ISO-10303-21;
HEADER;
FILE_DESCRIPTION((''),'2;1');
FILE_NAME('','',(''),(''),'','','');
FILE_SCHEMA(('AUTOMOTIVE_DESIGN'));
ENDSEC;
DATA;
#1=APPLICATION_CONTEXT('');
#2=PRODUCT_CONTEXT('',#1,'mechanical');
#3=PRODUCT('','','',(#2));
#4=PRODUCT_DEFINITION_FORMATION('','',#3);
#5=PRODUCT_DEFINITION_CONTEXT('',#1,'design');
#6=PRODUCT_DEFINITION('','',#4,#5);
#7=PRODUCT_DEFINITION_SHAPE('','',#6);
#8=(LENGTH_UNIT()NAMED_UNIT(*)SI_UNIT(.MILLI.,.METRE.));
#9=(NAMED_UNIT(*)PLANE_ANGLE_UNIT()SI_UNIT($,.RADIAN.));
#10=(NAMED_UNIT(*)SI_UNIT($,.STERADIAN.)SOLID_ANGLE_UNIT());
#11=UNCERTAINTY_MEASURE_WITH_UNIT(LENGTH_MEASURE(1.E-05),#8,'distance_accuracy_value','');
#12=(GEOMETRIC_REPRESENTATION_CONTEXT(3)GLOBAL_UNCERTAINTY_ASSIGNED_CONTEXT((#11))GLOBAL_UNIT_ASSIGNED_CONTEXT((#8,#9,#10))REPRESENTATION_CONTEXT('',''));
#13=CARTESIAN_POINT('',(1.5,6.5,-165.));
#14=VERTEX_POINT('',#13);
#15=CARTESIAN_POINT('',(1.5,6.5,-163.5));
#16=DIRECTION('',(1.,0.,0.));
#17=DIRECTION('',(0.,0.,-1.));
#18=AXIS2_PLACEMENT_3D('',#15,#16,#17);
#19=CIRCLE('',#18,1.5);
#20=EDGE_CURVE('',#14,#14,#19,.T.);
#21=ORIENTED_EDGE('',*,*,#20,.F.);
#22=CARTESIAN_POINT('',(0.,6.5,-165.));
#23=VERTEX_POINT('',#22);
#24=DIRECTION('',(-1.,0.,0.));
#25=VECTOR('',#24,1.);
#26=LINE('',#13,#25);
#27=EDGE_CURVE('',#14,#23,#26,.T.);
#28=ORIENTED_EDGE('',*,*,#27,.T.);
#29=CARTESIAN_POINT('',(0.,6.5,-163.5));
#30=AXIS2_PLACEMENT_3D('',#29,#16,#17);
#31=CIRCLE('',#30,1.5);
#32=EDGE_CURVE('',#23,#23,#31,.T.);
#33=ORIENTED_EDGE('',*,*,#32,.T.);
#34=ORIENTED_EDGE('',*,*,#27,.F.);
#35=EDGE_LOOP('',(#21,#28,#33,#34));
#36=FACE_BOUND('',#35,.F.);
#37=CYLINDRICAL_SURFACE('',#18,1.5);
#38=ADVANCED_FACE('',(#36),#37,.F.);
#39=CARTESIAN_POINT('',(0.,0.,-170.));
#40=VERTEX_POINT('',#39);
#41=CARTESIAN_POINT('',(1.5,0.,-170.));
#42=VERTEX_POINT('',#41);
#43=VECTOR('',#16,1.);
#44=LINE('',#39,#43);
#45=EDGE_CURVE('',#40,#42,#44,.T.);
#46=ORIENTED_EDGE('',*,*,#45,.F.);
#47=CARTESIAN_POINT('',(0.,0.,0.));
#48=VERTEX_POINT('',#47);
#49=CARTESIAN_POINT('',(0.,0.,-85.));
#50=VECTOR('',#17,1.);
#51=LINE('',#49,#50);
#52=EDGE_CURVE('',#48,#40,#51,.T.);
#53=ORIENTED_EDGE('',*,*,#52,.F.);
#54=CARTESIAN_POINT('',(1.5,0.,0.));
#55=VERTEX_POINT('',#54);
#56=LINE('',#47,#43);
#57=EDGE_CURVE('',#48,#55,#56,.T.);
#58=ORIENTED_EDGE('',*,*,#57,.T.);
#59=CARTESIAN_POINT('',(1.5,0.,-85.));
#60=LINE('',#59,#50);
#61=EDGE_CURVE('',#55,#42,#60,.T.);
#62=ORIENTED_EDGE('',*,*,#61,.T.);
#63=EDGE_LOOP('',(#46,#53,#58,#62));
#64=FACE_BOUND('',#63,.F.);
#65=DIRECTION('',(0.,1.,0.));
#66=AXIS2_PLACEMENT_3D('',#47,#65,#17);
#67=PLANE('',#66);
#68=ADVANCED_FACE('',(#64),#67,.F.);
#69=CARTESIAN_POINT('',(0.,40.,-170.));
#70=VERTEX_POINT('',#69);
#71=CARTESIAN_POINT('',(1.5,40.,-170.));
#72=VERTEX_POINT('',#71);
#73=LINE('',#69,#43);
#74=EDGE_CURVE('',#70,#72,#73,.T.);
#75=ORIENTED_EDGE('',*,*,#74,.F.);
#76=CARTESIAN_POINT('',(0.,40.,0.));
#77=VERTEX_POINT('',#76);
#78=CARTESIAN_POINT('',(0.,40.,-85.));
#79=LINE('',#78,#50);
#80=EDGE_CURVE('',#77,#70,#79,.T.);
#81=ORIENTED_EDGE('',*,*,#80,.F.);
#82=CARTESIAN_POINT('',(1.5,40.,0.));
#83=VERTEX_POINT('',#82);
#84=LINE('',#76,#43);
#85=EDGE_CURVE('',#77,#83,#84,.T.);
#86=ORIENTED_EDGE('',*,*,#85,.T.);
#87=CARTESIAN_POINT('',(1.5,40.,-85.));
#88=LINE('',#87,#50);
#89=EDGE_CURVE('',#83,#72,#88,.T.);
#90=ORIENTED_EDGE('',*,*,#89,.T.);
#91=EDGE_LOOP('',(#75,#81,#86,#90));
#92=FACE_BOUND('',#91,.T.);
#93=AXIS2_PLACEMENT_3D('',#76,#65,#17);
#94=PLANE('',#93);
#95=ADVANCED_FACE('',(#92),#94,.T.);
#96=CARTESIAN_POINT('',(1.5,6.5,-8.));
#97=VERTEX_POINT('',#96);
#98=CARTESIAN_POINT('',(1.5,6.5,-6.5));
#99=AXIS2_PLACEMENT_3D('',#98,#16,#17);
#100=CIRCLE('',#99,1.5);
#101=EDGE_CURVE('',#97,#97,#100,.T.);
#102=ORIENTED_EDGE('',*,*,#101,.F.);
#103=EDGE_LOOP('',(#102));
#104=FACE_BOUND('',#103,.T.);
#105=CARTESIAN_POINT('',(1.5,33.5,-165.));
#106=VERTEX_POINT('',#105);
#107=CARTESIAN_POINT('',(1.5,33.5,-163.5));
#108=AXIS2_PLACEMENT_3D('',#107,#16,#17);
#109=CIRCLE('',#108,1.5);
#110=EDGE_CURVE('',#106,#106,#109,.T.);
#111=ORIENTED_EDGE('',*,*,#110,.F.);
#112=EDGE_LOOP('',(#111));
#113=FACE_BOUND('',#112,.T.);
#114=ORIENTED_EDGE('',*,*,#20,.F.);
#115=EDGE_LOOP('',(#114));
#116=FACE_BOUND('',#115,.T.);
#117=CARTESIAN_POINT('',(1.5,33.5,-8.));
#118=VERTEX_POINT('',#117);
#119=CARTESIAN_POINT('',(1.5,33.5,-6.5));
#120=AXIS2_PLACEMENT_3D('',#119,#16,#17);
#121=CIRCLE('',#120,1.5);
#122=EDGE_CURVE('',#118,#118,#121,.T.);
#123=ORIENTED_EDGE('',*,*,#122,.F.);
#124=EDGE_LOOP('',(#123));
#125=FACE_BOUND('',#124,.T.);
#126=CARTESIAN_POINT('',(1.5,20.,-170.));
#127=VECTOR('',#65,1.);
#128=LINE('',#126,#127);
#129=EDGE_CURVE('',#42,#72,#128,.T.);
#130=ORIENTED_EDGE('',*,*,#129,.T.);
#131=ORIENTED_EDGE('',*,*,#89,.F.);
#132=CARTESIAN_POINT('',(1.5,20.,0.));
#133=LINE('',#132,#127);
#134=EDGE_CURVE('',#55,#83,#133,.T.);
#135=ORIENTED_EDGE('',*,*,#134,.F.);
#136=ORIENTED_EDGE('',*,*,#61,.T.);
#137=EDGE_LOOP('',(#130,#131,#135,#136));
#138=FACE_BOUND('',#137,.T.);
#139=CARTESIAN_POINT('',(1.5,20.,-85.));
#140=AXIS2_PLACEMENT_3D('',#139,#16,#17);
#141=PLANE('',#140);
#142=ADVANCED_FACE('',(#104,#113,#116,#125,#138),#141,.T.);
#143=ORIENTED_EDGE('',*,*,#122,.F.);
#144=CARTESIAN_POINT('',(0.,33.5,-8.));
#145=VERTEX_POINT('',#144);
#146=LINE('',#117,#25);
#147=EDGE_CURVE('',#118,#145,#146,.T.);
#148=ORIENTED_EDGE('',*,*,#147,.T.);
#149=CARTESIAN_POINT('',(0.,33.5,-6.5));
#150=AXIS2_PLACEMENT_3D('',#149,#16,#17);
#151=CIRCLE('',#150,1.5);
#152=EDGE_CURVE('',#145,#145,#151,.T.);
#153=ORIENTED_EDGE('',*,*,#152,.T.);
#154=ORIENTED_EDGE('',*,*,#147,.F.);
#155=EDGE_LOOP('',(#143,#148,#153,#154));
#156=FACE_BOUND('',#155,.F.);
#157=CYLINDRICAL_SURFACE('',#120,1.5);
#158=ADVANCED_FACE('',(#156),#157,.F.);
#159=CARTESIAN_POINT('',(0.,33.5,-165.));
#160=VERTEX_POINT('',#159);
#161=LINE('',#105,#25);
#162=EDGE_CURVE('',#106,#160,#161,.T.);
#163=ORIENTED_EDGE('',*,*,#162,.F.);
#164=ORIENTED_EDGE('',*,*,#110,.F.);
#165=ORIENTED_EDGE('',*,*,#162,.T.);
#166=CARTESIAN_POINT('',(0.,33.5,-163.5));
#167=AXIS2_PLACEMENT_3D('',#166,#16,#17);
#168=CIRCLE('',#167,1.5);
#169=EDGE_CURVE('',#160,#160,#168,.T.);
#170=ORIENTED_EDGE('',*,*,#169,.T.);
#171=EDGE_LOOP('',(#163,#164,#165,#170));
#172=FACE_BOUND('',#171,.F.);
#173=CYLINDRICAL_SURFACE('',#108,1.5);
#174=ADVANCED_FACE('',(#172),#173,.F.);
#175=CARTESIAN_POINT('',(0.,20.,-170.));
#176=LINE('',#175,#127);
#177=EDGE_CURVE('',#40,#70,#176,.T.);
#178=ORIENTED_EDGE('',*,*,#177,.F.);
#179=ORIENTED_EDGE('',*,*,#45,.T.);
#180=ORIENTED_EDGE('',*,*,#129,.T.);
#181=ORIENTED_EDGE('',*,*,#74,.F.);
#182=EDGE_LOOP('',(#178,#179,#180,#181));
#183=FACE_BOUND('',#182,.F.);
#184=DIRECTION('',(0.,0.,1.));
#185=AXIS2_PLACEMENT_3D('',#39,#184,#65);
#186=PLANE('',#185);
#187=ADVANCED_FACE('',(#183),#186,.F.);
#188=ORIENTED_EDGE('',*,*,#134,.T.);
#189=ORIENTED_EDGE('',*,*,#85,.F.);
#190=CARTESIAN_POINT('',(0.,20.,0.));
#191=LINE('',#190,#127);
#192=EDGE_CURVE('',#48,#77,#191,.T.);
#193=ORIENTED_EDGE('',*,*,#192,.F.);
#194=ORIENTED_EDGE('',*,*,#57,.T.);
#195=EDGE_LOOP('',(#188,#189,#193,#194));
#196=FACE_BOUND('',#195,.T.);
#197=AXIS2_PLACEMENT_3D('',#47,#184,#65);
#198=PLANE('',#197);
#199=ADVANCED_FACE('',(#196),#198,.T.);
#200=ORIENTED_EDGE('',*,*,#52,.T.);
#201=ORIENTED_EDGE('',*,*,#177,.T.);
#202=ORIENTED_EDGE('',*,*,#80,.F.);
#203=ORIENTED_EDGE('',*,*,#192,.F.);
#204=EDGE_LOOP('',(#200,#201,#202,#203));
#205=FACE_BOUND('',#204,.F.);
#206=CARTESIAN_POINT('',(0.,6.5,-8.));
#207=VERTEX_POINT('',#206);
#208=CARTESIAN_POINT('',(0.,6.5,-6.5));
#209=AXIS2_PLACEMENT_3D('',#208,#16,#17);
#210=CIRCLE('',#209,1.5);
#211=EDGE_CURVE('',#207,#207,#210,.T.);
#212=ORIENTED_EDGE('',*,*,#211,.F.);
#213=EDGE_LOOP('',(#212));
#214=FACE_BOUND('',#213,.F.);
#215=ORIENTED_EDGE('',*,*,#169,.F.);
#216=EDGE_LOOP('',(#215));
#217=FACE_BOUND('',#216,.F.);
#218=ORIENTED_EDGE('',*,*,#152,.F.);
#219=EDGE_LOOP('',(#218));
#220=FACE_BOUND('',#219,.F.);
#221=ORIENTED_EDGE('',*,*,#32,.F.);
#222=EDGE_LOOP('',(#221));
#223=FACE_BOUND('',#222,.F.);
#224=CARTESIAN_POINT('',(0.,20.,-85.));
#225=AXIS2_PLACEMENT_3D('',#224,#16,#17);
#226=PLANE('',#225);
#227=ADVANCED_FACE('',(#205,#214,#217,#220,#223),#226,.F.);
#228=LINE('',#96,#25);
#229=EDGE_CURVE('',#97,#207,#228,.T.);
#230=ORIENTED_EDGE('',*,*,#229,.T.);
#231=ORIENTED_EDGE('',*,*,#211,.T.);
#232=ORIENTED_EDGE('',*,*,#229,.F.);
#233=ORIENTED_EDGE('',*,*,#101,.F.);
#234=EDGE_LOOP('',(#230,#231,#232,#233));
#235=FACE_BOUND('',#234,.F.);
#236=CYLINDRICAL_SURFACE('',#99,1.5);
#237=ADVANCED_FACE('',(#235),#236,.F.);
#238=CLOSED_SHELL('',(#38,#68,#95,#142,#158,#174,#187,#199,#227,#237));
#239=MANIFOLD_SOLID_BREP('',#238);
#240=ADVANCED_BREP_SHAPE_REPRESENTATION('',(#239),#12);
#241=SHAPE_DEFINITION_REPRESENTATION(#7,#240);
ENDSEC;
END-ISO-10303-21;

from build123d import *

# Parameters (mm, degrees)
SKETCH1_W               = 170
SKETCH1_H               = 40
BOSS_EXTRUDE1_DEPTH     = 1.5
SKETCH2_R               = 1.5
CUT_EXTRUDE1_DEPTH      = 15
CUT_EXTRUDE1_DEPTH_BACK = 15


with BuildPart() as part:
    # Sketch1 → Boss-Extrude1 (new body)
    with BuildSketch(Plane(origin=(0, 0, 0), x_dir=(0, 0, -1), z_dir=(1, 0, 0))):
        with Locations((85, 20)):
            Rectangle(SKETCH1_W, SKETCH1_H)
    extrude(amount=BOSS_EXTRUDE1_DEPTH)

    # Sketch2 → Cut-Extrude1 (cut, two sides)
    with BuildSketch(Plane(origin=(1.5, 0, 0), x_dir=(0, 0, -1), z_dir=(1, 0, 0))) as cut_extrude1_sk:
        with Locations((6.5, 6.5)):
            Circle(SKETCH2_R)
        with Locations((163.5, 6.5)):
            Circle(SKETCH2_R)
        with Locations((163.5, 33.5)):
            Circle(SKETCH2_R)
        with Locations((6.5, 33.5)):
            Circle(SKETCH2_R)
    extrude(amount=CUT_EXTRUDE1_DEPTH, mode=Mode.SUBTRACT)
    extrude(cut_extrude1_sk.sketch, amount=-CUT_EXTRUDE1_DEPTH_BACK, mode=Mode.SUBTRACT)


solid = part.part
